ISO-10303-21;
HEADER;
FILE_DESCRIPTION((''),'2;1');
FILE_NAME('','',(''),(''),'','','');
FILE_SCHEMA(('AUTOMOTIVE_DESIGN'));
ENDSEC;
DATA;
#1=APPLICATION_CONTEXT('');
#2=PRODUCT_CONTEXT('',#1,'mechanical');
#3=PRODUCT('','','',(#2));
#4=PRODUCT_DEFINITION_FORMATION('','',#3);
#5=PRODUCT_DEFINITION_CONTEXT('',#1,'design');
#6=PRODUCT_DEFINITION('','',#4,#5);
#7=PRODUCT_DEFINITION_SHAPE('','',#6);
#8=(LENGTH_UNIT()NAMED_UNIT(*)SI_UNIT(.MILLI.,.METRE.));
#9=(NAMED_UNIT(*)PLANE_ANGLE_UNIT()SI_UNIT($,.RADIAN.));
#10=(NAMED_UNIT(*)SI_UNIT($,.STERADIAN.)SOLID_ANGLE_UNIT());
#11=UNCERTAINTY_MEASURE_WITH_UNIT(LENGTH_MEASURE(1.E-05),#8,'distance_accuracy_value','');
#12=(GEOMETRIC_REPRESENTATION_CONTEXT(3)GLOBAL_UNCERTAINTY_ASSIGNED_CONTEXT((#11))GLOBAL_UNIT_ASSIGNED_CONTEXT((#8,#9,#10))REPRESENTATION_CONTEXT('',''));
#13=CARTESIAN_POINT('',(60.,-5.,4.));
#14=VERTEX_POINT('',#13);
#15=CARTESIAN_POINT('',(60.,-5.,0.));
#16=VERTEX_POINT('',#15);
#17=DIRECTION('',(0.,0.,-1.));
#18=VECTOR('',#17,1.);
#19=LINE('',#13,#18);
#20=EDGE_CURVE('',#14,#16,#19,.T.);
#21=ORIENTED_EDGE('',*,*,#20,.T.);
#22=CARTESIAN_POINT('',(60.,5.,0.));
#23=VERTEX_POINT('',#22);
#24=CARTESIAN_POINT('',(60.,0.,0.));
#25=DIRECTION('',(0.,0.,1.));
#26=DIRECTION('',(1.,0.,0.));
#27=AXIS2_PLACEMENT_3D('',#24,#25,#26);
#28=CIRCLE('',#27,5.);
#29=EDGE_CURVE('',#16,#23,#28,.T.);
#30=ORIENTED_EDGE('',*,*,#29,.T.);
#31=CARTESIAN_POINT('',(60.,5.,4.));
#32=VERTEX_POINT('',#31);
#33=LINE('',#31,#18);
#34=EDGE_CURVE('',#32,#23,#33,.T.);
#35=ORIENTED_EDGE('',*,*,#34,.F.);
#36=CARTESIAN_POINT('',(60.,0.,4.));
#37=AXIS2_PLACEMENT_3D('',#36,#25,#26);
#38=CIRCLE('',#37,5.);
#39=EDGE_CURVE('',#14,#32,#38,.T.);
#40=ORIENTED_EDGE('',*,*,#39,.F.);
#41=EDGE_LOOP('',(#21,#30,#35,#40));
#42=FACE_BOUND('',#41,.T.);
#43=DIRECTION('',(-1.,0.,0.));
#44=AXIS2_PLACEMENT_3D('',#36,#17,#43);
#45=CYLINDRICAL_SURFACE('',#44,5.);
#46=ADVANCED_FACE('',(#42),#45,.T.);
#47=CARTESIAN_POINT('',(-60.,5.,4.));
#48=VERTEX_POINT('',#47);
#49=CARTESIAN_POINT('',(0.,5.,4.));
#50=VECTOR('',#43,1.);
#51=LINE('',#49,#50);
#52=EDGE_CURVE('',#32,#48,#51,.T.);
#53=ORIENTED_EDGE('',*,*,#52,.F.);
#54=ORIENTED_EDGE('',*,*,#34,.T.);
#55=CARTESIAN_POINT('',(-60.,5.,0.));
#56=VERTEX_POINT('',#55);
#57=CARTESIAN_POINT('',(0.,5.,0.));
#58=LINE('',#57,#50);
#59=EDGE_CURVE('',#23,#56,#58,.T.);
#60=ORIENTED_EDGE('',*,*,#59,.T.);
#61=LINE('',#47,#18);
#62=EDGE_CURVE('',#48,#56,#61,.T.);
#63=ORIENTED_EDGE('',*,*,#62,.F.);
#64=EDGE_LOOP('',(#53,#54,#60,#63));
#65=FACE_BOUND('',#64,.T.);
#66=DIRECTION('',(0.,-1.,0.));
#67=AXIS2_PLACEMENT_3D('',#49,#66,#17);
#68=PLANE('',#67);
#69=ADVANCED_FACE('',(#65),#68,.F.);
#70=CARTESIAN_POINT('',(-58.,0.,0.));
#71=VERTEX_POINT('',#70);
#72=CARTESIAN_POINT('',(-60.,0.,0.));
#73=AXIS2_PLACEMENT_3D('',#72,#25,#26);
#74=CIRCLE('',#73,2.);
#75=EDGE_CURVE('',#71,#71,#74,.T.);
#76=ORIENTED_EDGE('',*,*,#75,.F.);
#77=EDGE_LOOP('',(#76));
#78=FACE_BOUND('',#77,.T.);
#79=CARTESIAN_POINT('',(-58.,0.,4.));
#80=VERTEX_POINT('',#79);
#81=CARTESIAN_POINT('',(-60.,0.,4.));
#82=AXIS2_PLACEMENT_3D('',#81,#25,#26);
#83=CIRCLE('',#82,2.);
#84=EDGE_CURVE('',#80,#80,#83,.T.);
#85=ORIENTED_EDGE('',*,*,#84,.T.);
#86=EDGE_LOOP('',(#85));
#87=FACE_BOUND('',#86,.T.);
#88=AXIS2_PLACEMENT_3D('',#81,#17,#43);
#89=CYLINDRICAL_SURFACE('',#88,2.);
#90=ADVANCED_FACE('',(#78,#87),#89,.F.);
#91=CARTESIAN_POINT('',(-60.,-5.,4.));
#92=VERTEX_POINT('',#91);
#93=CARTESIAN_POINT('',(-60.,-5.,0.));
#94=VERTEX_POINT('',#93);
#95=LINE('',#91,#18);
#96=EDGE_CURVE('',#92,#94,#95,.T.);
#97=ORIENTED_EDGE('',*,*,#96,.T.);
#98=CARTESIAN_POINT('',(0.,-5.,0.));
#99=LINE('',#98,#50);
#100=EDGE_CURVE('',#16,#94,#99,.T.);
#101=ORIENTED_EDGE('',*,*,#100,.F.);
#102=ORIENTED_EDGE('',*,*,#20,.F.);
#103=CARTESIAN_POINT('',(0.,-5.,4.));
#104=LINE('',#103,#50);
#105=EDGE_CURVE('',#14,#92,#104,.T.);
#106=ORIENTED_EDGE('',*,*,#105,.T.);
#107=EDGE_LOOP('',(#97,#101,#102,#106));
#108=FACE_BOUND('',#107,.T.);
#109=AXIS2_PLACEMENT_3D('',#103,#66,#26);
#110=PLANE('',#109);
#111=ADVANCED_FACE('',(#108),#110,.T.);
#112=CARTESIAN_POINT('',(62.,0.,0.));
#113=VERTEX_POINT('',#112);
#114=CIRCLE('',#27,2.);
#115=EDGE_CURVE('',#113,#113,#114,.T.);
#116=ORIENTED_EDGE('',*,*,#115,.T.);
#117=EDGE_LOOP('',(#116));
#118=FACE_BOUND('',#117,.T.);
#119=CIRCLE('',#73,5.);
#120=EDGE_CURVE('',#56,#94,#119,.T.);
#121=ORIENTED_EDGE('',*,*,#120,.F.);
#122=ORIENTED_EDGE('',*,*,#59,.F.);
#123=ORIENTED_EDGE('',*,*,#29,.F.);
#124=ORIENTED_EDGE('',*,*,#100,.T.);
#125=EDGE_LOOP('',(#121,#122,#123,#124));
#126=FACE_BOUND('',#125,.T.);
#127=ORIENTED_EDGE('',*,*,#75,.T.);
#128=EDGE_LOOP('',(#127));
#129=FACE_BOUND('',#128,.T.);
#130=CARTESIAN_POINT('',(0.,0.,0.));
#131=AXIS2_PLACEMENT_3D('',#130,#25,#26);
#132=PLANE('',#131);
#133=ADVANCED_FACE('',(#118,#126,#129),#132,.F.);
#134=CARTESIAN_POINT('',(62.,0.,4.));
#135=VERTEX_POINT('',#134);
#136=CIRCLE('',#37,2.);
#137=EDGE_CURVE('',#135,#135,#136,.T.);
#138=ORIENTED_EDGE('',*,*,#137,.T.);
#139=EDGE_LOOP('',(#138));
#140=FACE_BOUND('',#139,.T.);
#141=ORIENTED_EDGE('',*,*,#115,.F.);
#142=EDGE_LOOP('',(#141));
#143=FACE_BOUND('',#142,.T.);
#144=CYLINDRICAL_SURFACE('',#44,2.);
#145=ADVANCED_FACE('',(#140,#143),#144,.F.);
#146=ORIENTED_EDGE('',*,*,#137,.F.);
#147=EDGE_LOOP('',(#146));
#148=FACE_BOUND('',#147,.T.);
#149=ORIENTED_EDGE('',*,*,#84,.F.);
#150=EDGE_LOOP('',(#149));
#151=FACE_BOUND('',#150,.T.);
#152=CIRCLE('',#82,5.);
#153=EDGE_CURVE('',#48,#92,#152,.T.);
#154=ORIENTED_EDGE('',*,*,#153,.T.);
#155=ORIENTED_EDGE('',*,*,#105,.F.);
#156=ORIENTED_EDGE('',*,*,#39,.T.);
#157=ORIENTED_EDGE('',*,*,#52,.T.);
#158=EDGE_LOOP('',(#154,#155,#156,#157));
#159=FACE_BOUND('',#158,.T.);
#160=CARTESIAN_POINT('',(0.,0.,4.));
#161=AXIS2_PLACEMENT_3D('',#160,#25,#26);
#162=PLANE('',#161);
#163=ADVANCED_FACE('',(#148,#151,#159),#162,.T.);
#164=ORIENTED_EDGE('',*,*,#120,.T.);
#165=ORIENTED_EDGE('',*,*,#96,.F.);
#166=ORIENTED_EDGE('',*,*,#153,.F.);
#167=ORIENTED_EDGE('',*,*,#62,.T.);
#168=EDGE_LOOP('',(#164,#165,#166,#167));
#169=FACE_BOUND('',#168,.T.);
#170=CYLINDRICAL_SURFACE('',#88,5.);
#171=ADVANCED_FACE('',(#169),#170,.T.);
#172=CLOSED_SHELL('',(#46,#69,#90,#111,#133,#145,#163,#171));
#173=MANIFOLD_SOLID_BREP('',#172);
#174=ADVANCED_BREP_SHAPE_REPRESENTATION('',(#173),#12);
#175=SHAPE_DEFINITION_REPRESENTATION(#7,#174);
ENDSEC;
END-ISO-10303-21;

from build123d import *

# Parameters (mm, degrees)
SKETCH1_R           = 2
BOSS_EXTRUDE1_DEPTH = 4


with BuildPart() as part:
    # Sketch1 → Boss-Extrude1 (new body)
    with BuildSketch(Plane.XY):
        with BuildLine():
            Line((-60, -5), (60, -5))
            ThreePointArc((60, -5), (65, 0), (60, 5))
            Line((60, 5), (-60, 5))
            ThreePointArc((-60, 5), (-65, 0), (-60, -5))
        make_face()
        with Locations((60, 0)):
            Circle(SKETCH1_R, mode=Mode.SUBTRACT)
        with Locations((-60, 0)):
            Circle(SKETCH1_R, mode=Mode.SUBTRACT)
    extrude(amount=BOSS_EXTRUDE1_DEPTH)


solid = part.part
